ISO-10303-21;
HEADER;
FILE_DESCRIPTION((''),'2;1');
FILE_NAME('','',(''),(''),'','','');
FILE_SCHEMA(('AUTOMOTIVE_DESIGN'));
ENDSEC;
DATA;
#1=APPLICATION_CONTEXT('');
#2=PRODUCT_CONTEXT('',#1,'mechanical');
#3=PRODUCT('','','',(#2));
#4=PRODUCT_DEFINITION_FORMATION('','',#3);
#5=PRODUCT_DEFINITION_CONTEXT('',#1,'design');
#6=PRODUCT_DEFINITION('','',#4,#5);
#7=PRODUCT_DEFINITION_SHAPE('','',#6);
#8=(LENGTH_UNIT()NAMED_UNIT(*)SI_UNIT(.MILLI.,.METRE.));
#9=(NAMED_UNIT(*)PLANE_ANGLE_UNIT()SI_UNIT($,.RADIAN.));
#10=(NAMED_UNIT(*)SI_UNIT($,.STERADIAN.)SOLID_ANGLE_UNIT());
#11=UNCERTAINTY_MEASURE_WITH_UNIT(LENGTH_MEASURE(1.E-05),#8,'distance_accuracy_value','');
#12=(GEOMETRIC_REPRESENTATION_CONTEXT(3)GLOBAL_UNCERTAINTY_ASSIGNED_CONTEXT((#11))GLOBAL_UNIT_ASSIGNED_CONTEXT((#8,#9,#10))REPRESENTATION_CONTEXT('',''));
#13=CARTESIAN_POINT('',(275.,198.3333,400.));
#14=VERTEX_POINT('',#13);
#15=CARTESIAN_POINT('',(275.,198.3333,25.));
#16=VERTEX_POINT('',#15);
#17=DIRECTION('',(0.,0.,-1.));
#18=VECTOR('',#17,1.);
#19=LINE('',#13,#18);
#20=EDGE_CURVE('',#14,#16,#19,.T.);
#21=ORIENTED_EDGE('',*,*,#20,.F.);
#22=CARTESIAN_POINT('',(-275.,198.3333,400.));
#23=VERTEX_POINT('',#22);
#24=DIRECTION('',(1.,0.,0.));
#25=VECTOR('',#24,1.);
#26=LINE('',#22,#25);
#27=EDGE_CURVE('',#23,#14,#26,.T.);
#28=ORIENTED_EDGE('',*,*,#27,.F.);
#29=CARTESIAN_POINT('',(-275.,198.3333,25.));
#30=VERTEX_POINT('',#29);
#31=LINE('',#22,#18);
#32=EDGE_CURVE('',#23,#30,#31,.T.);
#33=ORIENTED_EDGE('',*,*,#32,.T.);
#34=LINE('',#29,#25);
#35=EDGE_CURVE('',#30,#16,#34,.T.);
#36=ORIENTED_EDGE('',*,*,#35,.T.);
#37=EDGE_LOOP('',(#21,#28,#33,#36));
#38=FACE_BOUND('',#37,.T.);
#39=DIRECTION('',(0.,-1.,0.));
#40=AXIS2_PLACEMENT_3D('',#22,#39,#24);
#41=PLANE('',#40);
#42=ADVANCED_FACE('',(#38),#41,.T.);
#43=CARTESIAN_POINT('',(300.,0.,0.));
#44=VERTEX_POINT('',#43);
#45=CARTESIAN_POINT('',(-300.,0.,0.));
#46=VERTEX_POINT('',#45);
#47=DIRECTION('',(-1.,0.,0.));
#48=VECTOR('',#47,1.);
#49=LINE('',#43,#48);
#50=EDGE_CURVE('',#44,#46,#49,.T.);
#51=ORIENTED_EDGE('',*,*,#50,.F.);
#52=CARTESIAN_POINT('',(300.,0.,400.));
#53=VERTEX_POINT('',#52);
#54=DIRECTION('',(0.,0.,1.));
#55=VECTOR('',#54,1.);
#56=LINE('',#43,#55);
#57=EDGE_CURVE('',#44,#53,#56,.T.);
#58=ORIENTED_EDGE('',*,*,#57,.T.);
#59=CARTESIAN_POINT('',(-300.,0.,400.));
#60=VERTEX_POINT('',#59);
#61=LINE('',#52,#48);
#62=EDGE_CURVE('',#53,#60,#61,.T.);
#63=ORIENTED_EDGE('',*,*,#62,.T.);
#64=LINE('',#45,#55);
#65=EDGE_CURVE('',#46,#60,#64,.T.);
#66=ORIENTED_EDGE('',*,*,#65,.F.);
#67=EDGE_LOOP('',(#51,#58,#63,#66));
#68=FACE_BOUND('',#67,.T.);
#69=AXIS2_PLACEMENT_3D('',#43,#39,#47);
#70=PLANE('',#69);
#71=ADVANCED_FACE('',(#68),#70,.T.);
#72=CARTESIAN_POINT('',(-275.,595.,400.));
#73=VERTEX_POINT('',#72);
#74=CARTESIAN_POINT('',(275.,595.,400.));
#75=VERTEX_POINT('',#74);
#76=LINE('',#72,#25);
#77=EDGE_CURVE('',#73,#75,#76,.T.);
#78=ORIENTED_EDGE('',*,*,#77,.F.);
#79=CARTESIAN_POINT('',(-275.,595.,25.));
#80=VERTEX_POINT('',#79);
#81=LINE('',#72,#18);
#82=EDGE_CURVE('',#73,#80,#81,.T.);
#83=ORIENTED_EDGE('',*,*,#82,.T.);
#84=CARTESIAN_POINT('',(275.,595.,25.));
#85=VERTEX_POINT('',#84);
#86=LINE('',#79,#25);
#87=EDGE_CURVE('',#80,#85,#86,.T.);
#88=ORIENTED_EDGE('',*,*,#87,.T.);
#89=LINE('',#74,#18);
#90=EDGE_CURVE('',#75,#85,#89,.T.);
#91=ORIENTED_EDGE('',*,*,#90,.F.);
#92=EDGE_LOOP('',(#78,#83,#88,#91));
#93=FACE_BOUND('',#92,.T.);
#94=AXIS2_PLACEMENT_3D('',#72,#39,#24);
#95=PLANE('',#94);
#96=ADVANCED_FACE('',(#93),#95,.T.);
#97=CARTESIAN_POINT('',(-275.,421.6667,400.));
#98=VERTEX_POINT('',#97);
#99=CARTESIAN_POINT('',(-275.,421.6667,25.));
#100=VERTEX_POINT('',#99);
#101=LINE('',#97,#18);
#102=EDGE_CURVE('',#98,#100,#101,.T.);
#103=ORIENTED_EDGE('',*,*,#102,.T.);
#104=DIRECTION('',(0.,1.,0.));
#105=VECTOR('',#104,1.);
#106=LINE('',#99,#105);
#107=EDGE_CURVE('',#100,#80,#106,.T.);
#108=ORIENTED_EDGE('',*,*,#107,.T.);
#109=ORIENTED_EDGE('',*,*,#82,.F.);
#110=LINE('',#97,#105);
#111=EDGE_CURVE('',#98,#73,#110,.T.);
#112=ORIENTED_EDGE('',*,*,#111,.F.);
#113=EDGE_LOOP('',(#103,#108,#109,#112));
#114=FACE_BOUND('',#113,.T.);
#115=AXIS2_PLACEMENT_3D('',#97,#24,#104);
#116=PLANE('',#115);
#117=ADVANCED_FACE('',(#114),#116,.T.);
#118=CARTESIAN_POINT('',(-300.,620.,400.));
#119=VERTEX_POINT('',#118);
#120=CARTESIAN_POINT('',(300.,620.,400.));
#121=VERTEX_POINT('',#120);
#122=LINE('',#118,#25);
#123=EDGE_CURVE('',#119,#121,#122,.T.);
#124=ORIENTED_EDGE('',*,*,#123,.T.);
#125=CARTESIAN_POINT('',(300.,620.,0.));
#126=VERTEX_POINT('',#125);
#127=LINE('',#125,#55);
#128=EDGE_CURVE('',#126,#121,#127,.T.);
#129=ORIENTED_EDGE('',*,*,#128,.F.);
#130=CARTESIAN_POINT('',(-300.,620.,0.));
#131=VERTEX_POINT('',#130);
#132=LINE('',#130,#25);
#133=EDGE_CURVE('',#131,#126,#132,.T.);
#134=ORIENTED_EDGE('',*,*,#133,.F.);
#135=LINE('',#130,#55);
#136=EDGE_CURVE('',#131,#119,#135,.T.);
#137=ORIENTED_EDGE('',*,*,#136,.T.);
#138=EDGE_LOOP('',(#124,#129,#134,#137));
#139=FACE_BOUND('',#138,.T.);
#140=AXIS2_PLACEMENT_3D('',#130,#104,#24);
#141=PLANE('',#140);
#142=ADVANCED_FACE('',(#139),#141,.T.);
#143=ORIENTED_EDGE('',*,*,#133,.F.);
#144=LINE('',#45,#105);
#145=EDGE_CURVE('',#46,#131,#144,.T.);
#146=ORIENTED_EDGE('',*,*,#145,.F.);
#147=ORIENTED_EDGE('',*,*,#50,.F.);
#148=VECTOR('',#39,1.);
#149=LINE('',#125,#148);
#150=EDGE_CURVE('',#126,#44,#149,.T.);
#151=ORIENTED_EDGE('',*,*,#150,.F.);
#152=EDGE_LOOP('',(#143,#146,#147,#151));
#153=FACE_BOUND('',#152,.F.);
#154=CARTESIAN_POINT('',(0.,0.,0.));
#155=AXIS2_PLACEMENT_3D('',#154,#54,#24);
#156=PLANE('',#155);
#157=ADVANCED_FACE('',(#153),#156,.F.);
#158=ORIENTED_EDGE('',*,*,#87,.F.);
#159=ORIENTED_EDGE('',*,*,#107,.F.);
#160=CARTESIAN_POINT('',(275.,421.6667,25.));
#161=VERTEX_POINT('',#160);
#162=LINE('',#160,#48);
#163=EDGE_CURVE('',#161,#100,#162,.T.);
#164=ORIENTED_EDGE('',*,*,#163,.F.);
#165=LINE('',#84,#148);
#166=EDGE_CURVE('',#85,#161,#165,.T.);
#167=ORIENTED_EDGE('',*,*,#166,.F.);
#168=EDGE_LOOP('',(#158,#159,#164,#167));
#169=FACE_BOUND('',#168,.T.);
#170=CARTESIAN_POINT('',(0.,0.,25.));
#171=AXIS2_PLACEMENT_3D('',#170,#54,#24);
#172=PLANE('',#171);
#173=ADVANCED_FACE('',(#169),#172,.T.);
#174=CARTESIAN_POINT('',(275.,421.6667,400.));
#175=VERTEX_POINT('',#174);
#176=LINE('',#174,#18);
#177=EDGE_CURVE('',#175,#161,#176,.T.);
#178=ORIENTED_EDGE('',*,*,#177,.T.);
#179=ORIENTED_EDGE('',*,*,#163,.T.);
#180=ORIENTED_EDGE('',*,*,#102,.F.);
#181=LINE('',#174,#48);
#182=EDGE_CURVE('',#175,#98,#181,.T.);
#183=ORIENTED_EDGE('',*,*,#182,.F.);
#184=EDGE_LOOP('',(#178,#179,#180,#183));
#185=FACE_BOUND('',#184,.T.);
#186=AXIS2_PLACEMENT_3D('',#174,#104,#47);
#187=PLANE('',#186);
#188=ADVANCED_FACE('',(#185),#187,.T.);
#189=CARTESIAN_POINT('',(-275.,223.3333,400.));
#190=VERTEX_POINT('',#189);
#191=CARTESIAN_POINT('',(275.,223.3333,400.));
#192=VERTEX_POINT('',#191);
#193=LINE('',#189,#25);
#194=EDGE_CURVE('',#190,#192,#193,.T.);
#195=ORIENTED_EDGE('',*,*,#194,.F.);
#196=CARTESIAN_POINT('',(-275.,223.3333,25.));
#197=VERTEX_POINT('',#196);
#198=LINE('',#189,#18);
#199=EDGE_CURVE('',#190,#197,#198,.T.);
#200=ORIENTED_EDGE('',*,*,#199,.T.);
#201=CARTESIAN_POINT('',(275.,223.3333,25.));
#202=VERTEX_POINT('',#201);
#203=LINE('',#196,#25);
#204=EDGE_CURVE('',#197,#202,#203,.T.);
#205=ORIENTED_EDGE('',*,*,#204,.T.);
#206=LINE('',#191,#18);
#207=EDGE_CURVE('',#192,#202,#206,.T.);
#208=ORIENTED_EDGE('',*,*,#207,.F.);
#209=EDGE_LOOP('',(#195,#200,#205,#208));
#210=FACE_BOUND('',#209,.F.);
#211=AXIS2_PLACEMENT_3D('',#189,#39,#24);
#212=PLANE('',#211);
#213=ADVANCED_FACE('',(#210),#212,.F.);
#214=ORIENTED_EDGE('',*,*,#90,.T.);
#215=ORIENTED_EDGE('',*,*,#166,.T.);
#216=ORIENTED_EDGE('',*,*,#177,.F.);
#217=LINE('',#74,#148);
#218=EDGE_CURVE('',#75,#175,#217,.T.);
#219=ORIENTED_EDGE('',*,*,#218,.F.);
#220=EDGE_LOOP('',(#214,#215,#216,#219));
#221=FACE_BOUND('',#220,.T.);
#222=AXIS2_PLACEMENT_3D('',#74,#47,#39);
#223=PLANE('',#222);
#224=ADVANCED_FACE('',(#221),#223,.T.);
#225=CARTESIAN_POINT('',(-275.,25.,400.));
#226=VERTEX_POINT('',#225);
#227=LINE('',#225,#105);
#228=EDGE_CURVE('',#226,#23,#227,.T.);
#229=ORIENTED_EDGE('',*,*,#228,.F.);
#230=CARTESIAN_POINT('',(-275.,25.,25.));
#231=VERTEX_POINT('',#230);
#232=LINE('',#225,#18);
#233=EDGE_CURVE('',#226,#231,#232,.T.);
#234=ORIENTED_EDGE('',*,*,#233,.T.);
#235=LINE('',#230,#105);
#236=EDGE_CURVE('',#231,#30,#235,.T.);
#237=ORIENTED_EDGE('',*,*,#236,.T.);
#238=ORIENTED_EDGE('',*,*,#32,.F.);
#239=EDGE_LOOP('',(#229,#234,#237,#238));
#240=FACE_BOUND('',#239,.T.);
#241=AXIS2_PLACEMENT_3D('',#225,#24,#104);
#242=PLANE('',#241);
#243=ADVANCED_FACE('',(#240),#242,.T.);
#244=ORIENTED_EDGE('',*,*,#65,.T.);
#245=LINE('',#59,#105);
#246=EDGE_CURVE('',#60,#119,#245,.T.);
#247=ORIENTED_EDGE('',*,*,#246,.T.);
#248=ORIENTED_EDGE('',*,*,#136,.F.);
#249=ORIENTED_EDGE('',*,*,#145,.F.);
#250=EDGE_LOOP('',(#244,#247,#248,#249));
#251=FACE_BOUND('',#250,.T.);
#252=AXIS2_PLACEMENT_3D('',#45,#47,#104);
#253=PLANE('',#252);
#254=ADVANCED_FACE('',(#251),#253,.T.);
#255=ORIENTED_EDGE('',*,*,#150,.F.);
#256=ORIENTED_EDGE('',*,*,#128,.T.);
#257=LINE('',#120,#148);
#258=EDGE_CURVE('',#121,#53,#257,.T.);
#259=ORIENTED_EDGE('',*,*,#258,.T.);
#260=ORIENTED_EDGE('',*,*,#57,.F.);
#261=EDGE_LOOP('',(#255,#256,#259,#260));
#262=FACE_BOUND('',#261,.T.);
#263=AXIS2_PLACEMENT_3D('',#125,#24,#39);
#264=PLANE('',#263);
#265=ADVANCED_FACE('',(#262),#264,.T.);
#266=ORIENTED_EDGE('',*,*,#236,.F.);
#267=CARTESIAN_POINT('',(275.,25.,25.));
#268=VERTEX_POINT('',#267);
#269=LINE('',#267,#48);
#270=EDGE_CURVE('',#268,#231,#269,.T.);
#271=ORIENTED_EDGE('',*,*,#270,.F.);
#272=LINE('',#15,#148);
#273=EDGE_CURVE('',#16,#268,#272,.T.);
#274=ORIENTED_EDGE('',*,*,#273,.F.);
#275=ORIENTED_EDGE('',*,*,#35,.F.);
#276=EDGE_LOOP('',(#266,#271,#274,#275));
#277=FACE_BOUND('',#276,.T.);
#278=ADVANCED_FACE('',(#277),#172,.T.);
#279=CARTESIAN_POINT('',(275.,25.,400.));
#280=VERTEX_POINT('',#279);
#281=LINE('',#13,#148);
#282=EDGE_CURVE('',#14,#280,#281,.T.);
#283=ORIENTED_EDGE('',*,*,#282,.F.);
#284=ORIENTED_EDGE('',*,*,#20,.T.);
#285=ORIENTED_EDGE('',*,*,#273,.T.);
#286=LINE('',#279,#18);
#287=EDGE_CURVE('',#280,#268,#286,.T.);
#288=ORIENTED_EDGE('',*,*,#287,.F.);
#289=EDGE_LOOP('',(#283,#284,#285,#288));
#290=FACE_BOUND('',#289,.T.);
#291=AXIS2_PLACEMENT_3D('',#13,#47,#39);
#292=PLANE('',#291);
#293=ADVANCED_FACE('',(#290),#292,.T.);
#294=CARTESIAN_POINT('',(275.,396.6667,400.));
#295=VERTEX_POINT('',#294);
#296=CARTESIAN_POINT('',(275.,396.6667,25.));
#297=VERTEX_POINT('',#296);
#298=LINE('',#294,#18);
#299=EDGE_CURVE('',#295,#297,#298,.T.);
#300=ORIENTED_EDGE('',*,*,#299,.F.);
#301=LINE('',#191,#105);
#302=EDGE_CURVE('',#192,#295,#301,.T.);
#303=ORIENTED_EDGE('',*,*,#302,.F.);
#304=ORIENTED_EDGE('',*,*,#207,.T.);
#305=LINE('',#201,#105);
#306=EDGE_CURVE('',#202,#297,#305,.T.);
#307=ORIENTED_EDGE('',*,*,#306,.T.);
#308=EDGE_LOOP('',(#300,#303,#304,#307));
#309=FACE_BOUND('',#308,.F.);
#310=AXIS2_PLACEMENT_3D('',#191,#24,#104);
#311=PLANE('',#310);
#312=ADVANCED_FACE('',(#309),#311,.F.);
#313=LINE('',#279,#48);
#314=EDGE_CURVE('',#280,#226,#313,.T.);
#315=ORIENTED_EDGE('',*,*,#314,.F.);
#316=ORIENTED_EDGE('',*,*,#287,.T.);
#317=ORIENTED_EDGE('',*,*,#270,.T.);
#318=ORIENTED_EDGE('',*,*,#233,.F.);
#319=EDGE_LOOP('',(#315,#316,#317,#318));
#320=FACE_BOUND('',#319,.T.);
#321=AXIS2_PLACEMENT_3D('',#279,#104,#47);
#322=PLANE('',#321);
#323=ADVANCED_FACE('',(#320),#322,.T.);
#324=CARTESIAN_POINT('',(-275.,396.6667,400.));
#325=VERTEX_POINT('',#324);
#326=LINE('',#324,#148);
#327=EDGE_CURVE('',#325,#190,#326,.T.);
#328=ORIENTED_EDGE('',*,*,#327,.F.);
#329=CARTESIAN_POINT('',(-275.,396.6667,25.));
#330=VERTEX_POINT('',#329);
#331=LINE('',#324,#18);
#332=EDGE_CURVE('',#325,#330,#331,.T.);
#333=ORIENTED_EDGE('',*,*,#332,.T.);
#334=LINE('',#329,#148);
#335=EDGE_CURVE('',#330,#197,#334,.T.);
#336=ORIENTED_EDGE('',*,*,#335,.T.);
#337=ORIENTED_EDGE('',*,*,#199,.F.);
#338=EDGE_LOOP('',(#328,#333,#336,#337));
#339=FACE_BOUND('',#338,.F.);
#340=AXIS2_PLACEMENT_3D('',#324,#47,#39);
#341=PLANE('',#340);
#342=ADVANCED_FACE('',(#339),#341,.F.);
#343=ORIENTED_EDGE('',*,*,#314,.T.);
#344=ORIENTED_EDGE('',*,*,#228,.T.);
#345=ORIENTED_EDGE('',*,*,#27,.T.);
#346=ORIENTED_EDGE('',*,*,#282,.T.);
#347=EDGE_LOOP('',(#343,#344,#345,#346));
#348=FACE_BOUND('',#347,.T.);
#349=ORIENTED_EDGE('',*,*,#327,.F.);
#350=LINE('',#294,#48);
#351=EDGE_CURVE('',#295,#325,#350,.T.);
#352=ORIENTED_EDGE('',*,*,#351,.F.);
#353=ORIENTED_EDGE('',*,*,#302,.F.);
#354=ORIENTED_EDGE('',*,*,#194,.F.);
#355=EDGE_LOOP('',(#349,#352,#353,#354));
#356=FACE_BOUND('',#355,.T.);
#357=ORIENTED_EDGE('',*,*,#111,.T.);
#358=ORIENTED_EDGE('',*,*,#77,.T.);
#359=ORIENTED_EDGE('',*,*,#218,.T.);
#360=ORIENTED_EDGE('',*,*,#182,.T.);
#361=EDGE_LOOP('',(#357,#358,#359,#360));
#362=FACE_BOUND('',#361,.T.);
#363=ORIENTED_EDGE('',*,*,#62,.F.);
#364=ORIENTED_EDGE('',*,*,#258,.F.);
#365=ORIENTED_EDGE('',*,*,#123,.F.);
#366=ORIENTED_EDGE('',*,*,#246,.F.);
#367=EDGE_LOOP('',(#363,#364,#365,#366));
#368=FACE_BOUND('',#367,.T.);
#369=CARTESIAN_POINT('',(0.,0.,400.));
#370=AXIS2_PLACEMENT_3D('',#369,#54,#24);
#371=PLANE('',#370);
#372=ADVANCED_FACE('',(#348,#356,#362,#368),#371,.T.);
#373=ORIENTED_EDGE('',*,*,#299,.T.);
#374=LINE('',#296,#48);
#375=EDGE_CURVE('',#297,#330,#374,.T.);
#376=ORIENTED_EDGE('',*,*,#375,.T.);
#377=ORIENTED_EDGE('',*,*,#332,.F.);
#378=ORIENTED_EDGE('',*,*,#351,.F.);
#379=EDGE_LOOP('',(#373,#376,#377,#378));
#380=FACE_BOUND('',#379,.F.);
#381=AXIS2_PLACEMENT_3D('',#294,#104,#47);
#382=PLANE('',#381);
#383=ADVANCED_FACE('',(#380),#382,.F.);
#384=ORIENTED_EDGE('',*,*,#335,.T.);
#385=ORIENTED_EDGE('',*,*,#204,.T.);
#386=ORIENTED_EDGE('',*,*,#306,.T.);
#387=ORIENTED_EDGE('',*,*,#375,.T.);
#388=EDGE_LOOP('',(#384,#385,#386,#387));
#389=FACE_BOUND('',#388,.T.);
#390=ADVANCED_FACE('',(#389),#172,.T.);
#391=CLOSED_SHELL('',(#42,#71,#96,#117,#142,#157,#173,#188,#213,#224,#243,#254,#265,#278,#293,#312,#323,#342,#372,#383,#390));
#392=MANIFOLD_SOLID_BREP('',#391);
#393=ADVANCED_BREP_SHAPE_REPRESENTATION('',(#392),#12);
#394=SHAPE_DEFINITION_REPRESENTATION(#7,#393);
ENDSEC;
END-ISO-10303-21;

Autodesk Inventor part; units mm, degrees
ref_plane "YZ Plane" through (0, 0, 0) normal (1, 0, 0) x (0, 1, 0)
ref_plane "XZ Plane" through (0, 0, 0) normal (0, 1, 0) x (-1, 0, 0)
ref_plane "XY Plane" through (0, 0, 0) normal (0, 0, 1) x (1, 0, 0)
sketch "Sketch1" plane through (0, 0, 0) normal (0, 0, 1) x (1, 0, 0)
  line L0 (-300, 620) -> (300, 620)
  line L1 (300, 620) -> (300, 0)
  line L2 (300, 0) -> (-300, 0)
  line L3 (-300, 0) -> (-300, 620)
  point P0 (0, 0)
  point P1 (0, 0)
  dimension "d0" = 600
  dimension "d1" = 620
extrude "Extrusion1" add sketch "Sketch1" along normal blind 400
sketch "Sketch2" plane through (0, 0, 400) normal (0, 0, 1) x (1, 0, 0)
  line L0 (-300, 0) -> (300, 0) projected
  line L1 (300, 0) -> (300, 620) projected
  line L2 (300, 620) -> (-300, 620) projected
  line L3 (-300, 620) -> (-300, 0) projected
  line L4 (-275, 595) -> (275, 595)
  line L5 (275, 595) -> (275, 421.6667)
  line L6 (275, 421.6667) -> (-275, 421.6667)
  line L7 (-275, 421.6667) -> (-275, 595)
  line L8 (275, 396.6667) -> (-275, 396.6667)
  line L9 (-275, 396.6667) -> (-275, 223.3333)
  line L10 (-275, 223.3333) -> (275, 223.3333)
  line L11 (275, 223.3333) -> (275, 396.6667)
  line L12 (-275, 198.3333) -> (275, 198.3333)
  line L13 (275, 198.3333) -> (275, 25)
  line L14 (275, 25) -> (-275, 25)
  line L15 (-275, 25) -> (-275, 198.3333)
  line L16 (-275, 421.6667) -> (-275, 396.6667) construction
  line L17 (-275, 223.3333) -> (-275, 198.3333) construction
  line L18 (-275, 595) -> (-300, 620) construction
  line L19 (275, 595) -> (300, 620) construction
  line L20 (-275, 25) -> (-300, 0) construction
  point P0 (0, 0)
  dimension "d4" = 25
  dimension "d5" = 25
extrude "Extrusion2" cut sketch "Sketch2" against normal blind 375 contours L4 L5 L6 L7 | L11 L10 L9 L8 | L12 L13 L14 L15
equation "\"d5\" = d4"
equation "\"d6\" = d2 - d4"
equation "\"d2\" = 400"
properties part number "Pensile"
